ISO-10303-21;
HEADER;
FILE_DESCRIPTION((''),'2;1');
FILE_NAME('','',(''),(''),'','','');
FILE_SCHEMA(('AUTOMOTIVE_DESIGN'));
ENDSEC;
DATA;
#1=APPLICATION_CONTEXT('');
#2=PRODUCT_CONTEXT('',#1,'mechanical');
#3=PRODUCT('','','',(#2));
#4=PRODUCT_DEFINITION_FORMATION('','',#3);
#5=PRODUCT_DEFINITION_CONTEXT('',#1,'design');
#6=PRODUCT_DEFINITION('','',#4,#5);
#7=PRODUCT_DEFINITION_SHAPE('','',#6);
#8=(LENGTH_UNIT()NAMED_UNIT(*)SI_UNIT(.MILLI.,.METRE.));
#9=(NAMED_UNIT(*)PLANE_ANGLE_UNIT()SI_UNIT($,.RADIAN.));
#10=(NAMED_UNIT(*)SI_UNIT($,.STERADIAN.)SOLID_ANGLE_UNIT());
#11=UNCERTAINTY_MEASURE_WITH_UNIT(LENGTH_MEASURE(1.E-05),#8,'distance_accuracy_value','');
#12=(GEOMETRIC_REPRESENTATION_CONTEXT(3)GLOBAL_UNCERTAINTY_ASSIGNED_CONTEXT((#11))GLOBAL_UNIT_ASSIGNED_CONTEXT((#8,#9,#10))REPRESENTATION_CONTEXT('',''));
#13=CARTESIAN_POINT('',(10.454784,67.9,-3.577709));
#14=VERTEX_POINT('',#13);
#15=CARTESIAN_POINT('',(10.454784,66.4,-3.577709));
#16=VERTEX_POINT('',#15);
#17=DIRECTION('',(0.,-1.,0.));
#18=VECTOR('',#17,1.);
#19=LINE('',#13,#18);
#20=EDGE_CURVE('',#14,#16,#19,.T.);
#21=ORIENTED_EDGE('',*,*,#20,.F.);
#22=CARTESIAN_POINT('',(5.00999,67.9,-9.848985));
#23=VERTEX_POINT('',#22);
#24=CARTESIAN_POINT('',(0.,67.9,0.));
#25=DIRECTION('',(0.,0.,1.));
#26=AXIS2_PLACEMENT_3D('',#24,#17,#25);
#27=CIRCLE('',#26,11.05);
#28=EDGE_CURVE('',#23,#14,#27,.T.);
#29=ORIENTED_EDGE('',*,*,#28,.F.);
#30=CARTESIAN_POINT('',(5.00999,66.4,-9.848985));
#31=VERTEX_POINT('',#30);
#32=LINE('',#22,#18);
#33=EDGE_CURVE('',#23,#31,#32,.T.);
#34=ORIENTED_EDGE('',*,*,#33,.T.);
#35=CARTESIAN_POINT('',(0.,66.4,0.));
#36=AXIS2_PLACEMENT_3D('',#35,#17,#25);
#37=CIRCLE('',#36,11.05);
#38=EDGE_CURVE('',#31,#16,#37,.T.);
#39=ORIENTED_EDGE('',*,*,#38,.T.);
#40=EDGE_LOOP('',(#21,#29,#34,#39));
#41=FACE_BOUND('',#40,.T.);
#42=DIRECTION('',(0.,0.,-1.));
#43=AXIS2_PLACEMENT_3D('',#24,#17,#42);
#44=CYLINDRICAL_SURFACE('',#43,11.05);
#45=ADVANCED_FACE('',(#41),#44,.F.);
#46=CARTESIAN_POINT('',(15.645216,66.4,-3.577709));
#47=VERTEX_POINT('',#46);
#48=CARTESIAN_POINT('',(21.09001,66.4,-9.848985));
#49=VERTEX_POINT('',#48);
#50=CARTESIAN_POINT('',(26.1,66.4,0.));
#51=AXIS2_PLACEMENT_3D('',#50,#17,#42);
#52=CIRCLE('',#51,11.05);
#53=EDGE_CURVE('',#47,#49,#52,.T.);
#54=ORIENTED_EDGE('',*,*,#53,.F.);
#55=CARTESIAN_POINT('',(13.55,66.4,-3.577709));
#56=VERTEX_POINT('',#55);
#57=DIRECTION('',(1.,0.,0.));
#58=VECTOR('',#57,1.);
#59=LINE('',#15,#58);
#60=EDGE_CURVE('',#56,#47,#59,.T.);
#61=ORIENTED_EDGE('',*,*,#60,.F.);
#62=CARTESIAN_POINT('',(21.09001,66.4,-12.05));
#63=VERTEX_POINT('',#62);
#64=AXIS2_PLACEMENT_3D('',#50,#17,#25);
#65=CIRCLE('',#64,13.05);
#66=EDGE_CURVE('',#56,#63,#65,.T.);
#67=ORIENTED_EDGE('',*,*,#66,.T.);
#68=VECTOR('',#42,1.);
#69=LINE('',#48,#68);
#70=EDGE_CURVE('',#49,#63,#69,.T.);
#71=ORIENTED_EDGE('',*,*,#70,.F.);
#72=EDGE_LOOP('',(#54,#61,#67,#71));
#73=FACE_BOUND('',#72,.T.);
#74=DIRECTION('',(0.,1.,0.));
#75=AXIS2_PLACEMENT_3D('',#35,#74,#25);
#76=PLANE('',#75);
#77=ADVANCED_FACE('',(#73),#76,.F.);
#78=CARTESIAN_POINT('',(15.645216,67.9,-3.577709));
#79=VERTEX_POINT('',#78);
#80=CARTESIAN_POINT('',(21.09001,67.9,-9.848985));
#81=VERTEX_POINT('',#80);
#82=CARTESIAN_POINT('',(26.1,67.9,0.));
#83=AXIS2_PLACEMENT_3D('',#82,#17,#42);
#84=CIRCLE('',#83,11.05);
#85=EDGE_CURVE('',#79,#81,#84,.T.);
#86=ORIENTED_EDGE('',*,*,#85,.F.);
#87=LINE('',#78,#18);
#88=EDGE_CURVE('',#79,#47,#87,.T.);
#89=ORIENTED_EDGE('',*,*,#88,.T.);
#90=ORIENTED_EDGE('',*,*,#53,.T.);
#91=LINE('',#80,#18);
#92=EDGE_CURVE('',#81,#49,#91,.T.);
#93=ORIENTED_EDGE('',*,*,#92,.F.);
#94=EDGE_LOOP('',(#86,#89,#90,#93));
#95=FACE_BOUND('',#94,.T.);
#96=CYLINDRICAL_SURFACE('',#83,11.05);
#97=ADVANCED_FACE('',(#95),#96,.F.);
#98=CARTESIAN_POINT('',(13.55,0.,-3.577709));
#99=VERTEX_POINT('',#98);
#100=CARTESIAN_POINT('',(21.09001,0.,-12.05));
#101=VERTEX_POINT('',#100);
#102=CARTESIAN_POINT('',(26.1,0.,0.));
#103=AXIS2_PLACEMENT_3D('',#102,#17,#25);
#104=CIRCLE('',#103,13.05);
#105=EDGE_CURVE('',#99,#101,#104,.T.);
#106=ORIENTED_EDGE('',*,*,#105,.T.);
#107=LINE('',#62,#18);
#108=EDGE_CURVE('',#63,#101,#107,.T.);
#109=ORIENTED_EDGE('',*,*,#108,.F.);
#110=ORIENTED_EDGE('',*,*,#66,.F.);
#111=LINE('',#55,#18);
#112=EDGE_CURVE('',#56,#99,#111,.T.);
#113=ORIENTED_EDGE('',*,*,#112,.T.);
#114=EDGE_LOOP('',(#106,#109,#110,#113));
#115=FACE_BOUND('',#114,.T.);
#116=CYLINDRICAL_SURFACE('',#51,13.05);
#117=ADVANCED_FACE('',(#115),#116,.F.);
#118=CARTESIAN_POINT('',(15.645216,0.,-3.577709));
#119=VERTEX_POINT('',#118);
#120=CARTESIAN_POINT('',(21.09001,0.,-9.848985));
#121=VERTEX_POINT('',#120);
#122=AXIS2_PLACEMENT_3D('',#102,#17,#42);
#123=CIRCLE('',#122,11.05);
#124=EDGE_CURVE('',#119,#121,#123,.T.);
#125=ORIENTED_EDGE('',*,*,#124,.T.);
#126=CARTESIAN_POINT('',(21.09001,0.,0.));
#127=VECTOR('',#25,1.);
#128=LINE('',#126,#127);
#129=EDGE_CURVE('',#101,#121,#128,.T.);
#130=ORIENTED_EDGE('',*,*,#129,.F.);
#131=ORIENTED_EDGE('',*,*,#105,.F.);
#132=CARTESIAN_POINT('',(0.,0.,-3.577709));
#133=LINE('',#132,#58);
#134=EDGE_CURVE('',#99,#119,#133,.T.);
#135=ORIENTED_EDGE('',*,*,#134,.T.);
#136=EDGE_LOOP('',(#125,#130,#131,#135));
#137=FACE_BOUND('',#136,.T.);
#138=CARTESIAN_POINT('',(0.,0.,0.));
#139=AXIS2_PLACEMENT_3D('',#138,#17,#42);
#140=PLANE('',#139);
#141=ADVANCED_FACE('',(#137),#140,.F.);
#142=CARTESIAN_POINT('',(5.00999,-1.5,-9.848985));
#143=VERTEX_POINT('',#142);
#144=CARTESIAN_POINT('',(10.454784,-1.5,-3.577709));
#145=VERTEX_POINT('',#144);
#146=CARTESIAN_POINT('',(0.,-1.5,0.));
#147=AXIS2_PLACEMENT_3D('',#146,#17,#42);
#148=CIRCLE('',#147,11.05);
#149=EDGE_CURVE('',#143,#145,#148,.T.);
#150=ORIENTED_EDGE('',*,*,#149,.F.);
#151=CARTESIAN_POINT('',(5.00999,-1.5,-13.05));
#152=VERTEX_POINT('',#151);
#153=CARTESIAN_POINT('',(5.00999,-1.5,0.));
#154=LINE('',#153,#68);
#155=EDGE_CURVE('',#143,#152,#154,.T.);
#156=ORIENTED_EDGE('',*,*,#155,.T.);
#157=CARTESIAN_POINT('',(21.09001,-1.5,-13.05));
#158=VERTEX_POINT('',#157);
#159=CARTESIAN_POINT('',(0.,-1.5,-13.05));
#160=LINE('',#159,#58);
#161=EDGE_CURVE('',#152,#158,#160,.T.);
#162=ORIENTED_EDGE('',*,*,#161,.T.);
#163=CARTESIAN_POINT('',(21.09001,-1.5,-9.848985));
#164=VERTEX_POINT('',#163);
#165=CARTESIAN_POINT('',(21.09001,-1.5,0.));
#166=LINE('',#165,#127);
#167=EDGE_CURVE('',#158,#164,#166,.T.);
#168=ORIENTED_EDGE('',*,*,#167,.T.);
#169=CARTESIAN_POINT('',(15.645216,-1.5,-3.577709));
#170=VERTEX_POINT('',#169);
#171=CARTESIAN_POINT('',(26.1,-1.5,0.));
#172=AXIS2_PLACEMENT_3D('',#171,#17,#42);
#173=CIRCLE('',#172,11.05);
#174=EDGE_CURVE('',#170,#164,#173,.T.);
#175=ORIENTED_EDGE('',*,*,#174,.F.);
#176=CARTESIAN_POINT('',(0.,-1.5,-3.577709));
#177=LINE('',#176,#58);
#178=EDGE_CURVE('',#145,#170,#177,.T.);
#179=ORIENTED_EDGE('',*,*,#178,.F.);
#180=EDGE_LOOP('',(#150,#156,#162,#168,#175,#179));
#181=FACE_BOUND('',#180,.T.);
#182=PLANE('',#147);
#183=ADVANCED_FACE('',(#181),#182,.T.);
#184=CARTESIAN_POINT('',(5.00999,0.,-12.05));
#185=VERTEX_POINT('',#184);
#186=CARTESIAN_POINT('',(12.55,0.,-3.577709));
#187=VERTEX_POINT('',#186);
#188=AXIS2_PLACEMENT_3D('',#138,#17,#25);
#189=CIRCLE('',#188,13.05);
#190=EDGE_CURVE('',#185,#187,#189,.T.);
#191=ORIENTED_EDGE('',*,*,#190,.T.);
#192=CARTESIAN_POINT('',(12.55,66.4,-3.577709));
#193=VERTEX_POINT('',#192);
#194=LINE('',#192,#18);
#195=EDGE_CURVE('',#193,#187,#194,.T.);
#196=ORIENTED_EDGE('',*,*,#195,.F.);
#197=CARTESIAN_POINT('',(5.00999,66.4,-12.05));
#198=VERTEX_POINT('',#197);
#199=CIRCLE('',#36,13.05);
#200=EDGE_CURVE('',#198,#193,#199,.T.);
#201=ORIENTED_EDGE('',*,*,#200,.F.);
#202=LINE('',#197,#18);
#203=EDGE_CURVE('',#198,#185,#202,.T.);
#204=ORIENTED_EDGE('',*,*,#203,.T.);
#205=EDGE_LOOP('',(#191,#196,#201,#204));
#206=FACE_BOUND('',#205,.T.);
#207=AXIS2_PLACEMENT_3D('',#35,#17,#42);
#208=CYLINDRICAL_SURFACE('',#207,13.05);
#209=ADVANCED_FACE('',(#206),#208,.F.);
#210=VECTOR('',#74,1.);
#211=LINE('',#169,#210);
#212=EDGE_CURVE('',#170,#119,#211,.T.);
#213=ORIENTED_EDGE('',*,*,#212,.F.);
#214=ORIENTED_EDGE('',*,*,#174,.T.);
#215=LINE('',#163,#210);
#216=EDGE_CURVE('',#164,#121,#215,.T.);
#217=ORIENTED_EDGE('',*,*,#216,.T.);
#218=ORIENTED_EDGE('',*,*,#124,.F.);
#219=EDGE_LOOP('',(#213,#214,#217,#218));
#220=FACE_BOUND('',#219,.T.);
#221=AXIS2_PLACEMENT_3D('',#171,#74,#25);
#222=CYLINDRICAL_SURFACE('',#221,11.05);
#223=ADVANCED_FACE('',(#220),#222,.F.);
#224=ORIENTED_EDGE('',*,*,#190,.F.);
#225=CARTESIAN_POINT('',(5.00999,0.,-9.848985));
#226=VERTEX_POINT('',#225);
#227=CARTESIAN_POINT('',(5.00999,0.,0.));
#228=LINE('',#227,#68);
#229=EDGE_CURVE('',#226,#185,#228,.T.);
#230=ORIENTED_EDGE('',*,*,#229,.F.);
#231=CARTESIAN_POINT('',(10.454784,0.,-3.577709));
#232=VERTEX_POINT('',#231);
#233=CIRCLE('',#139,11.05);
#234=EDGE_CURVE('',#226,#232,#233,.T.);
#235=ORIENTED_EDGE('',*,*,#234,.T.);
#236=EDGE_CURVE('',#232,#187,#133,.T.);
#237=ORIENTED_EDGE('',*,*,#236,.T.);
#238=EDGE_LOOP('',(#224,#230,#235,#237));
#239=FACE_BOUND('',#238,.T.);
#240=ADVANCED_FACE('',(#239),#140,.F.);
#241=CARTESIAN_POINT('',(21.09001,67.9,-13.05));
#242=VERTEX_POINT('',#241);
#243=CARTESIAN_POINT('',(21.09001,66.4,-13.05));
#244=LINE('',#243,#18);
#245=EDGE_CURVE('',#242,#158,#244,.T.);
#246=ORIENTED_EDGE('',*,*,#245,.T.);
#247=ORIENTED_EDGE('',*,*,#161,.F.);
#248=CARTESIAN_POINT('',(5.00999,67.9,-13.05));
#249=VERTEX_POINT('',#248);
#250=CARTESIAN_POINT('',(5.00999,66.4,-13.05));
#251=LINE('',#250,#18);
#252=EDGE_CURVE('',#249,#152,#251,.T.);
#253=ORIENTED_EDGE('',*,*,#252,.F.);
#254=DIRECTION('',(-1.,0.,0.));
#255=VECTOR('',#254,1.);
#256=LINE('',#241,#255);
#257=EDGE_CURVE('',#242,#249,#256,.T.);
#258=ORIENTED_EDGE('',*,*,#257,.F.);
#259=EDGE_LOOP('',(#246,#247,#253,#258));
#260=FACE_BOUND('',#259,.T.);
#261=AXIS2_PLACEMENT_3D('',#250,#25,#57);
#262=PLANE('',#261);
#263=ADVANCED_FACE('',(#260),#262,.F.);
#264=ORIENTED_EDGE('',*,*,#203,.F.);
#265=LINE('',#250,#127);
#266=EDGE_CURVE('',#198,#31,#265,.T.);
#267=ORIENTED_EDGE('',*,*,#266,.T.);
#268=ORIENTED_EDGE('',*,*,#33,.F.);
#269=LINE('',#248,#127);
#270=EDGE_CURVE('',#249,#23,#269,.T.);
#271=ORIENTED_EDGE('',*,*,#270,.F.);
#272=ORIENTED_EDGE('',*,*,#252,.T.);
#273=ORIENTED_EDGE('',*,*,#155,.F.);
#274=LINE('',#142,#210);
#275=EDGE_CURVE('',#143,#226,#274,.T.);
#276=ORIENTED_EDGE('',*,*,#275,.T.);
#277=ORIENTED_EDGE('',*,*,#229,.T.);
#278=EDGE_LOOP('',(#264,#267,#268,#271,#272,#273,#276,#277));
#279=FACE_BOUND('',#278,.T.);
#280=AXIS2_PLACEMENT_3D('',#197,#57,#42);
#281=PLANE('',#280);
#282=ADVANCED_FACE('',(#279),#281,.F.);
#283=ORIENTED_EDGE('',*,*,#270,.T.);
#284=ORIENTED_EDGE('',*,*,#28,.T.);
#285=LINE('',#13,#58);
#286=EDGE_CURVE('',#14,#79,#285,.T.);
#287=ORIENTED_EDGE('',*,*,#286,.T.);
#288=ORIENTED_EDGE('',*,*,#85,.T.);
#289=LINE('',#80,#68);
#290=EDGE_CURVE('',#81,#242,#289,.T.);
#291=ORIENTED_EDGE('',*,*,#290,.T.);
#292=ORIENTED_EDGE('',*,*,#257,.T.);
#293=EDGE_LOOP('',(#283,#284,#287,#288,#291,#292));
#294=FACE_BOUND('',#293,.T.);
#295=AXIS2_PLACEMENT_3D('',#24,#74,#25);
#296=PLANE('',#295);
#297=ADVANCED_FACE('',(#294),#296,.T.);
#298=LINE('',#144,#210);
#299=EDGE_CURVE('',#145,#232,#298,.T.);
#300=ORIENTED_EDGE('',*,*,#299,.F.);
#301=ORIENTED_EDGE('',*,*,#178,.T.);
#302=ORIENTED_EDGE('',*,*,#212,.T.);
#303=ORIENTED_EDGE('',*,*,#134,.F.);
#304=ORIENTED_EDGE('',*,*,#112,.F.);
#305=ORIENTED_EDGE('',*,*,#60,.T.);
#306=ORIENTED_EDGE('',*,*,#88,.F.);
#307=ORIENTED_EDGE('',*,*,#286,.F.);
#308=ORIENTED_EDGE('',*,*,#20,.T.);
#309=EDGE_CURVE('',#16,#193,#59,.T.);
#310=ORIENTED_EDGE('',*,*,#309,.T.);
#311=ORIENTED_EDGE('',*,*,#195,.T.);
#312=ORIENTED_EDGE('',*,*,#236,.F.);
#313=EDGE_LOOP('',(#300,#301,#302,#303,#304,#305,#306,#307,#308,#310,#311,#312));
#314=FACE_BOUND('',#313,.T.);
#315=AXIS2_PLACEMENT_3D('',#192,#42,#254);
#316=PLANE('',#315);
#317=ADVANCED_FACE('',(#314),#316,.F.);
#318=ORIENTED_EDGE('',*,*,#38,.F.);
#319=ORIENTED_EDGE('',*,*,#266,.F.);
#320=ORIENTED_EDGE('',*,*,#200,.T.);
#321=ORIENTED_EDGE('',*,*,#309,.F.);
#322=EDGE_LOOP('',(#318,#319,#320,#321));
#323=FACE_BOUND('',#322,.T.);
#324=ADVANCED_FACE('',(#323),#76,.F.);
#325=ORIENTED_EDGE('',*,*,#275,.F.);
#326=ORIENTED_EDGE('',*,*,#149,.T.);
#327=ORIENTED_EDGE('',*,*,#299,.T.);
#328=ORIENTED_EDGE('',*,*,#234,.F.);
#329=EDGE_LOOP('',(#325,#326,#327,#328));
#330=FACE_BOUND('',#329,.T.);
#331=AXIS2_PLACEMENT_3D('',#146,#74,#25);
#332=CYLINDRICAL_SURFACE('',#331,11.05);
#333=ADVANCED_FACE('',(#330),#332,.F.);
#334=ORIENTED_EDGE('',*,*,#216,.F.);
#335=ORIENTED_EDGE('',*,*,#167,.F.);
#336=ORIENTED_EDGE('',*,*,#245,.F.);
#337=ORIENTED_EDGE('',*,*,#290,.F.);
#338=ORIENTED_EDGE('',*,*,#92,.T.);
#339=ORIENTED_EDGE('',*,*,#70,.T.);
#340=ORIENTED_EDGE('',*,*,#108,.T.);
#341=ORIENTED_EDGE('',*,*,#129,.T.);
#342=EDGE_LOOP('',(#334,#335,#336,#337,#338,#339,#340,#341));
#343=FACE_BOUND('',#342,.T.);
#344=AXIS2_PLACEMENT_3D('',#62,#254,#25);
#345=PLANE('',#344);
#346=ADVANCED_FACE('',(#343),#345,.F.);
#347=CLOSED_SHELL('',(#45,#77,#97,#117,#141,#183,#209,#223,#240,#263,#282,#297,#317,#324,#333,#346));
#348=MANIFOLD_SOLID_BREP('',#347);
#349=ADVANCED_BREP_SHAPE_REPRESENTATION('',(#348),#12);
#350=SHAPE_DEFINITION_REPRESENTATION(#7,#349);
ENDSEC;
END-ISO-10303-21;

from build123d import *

# Parameters (mm, degrees)
EXTRUDE_1_DEPTH = 66.4
EXTRUDE_2_DEPTH = 1.5
EXTRUDE_START   = 1.5
EXTRUDE_3_DEPTH = 1.5


with BuildPart() as part:
    # 草图1 → 凸台-拉伸1 (new body)
    with BuildSketch(Plane(origin=(0, 0, 0), x_dir=(1, 0, 0), z_dir=(0, 1, 0))):
        with BuildLine():
            Line((12.55, 3.577708764), (13.55, 3.577708764))
            ThreePointArc((13.55, 3.577708764), (16.351500522, 8.675785724), (21.09000998, 12.05))
            Line((21.09000998, 12.05), (21.09000998, 13.05))
            Line((21.09000998, 13.05), (5.00999002, 13.05))
            Line((5.00999002, 13.05), (5.00999002, 12.05))
            ThreePointArc((5.00999002, 12.05), (9.748499478, 8.675785724), (12.55, 3.577708764))
        make_face()
    extrude(amount=EXTRUDE_1_DEPTH)

    # 草图2 → 凸台-拉伸2 (add)
    with BuildSketch(Plane(origin=(0, 66.4, 0), x_dir=(1, 0, 0), z_dir=(0, 1, 0))):
        with BuildLine():
            Line((5.00999002, 13.05), (5.00999002, 9.848984719))
            ThreePointArc((5.00999002, 9.848984719), (8.343981739, 7.244340463), (10.454783594, 3.577708764))
            Line((10.454783594, 3.577708764), (15.645216406, 3.577708764))
            ThreePointArc((15.645216406, 3.577708764), (17.756018261, 7.244340463), (21.09000998, 9.848984719))
            Line((21.09000998, 9.848984719), (21.09000998, 13.05))
            Line((21.09000998, 13.05), (5.00999002, 13.05))
        make_face()
    extrude(amount=EXTRUDE_2_DEPTH)

    # 草图3 → 凸台-拉伸3 (add)
    with BuildSketch(Plane.XZ.offset(EXTRUDE_START)):
        with BuildLine():
            Line((12.55, -3.577708764), (10.454783594, -3.577708764))
            ThreePointArc((10.454783594, -3.577708764), (8.343981739, -7.244340463), (5.00999002, -9.848984719))
            Line((5.00999002, -9.848984719), (5.00999002, -12.05))
            ThreePointArc((5.00999002, -12.05), (9.748499478, -8.675785724), (12.55, -3.577708764))
        make_face()
        with BuildLine():
            Line((13.55, -3.577708764), (12.55, -3.577708764))
            ThreePointArc((12.55, -3.577708764), (9.748499478, -8.675785724), (5.00999002, -12.05))
            Line((5.00999002, -12.05), (5.00999002, -13.05))
            Line((5.00999002, -13.05), (21.09000998, -13.05))
            Line((21.09000998, -13.05), (21.09000998, -12.05))
            ThreePointArc((21.09000998, -12.05), (16.351500522, -8.675785724), (13.55, -3.577708764))
        make_face()
        with BuildLine():
            Line((15.645216406, -3.577708764), (13.55, -3.577708764))
            ThreePointArc((13.55, -3.577708764), (16.351500522, -8.675785724), (21.09000998, -12.05))
            Line((21.09000998, -12.05), (21.09000998, -9.848984719))
            ThreePointArc((21.09000998, -9.848984719), (17.756018261, -7.244340463), (15.645216406, -3.577708764))
        make_face()
    extrude(amount=-EXTRUDE_3_DEPTH)


solid = part.part
